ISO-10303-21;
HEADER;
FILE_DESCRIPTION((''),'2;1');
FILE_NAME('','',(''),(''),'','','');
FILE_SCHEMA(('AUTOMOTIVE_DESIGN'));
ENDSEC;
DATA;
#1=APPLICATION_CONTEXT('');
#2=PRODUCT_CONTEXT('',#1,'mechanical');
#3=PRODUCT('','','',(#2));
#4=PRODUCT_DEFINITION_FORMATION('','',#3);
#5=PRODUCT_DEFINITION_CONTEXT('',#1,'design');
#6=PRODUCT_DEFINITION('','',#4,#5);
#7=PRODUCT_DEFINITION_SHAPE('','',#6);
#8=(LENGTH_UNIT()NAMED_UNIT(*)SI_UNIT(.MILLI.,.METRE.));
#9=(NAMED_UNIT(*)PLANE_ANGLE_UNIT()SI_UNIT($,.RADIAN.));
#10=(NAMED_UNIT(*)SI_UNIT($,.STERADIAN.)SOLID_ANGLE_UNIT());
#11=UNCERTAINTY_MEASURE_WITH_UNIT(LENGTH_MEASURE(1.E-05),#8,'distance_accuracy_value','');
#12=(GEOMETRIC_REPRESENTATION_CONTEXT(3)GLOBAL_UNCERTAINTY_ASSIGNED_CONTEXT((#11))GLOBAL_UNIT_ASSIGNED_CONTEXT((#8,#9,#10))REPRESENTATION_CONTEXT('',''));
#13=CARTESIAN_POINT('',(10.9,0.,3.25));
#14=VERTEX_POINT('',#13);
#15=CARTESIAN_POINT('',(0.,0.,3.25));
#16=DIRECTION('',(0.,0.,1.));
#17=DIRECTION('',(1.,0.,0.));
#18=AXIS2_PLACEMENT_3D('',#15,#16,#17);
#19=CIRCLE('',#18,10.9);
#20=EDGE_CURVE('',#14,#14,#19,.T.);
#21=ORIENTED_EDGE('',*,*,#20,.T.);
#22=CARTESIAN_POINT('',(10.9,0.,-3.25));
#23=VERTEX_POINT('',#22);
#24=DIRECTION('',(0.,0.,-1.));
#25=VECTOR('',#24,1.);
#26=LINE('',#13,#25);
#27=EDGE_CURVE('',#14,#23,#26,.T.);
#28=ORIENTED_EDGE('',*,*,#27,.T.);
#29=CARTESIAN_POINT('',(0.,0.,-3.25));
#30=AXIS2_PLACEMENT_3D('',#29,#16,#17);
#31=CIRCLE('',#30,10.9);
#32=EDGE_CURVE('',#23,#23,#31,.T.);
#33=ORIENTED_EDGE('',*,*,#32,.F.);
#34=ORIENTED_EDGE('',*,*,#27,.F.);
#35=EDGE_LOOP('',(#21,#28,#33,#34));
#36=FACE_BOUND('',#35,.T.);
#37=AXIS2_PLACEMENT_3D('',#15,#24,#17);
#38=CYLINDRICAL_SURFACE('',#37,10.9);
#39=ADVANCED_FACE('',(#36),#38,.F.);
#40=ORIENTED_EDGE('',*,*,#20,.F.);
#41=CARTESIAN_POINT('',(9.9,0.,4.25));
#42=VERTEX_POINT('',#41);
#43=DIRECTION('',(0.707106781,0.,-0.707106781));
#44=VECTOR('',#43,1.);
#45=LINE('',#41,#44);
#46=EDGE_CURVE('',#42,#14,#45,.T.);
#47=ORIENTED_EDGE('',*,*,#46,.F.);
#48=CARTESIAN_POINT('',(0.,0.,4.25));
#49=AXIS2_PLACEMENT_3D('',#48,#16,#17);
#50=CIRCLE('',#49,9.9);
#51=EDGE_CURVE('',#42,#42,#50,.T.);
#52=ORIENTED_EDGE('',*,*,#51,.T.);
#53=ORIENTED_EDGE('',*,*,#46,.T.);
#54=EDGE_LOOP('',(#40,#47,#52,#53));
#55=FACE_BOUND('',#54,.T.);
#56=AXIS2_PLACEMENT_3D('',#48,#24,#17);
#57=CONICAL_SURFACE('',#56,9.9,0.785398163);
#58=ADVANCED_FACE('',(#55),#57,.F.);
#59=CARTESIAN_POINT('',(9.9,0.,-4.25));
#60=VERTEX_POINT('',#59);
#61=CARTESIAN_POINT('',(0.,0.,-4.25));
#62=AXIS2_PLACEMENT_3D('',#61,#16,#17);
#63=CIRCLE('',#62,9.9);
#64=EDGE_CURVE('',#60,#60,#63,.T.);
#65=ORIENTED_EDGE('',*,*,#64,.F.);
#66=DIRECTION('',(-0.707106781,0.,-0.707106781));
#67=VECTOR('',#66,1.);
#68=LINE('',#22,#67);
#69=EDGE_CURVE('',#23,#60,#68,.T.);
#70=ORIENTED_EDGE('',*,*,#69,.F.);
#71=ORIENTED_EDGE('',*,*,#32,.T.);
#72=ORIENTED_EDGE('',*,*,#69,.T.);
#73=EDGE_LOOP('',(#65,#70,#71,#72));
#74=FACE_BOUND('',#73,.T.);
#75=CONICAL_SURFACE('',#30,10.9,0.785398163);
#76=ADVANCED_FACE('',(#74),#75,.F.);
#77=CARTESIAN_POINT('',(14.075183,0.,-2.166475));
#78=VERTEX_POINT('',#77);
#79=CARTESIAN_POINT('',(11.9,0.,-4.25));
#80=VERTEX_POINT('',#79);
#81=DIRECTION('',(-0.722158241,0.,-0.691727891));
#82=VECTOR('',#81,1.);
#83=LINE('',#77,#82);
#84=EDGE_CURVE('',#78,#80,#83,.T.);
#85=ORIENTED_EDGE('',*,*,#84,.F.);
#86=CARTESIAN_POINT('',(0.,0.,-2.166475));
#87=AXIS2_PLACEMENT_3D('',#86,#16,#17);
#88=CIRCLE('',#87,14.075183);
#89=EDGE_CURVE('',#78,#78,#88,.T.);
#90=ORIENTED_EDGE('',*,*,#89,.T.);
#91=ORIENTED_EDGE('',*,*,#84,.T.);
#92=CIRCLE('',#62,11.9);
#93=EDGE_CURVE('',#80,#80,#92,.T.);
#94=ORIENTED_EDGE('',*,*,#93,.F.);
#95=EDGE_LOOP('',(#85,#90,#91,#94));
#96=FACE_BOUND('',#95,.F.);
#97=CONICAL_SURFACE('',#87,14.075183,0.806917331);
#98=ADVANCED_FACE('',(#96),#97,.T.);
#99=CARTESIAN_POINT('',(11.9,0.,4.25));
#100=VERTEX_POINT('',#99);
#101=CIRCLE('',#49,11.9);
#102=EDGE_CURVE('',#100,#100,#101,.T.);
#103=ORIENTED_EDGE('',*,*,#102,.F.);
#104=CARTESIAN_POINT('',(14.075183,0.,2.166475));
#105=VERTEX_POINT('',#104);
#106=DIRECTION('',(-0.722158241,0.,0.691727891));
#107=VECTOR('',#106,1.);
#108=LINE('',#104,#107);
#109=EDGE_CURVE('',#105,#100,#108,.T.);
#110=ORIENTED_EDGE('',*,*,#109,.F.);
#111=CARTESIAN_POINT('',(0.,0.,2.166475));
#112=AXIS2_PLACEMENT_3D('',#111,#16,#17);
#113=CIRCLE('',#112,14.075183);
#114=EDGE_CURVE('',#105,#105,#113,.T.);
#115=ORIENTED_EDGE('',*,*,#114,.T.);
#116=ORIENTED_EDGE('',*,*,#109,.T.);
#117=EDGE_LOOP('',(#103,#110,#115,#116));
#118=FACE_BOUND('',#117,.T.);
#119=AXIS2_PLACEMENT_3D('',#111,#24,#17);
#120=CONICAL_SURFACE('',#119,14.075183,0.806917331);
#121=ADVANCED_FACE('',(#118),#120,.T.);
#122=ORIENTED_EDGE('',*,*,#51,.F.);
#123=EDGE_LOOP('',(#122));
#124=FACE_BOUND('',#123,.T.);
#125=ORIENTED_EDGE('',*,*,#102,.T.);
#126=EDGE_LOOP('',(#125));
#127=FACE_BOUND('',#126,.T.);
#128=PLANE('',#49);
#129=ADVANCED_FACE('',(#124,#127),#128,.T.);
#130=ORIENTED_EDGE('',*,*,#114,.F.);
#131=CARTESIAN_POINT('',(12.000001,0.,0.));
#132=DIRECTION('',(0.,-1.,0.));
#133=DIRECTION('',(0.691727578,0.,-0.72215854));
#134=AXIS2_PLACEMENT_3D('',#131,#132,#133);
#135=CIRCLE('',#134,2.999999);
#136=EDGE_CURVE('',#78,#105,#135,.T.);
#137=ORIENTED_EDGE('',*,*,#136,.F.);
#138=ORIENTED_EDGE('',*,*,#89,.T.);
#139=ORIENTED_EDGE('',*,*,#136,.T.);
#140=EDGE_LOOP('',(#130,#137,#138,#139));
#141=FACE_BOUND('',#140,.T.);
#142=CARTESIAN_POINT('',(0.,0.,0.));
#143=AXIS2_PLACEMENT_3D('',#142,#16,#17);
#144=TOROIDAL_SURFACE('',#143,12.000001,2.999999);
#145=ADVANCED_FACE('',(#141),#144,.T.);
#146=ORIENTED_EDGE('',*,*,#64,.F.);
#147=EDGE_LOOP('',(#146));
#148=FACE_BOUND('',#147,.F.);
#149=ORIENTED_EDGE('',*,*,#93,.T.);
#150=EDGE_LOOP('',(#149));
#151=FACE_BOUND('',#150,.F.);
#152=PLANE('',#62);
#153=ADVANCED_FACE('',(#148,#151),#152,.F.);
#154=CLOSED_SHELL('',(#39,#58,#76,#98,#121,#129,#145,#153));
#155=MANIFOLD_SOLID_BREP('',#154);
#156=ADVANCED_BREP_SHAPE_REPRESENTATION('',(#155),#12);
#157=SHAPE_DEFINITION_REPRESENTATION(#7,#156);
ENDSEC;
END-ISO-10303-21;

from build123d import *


with BuildPart() as part:
    # Sketch → Revolution (revolve)
    with BuildSketch(Plane.XZ):
        with BuildLine():
            ThreePointArc((14.075183, -2.166475), (15, 0), (14.075183, 2.166475))
            Line((14.075183, 2.166475), (11.9, 4.25))
            Line((11.9, 4.25), (9.9, 4.25))
            Line((9.9, 4.25), (10.9, 3.25))
            Line((10.9, 0), (10.9, 3.25))
            Line((10.9, 0), (10.9, -3.25))
            Line((10.9, -3.25), (9.9, -4.25))
            Line((11.9, -4.25), (9.9, -4.25))
            Line((14.075183, -2.166475), (11.9, -4.25))
        make_face()
    revolve(axis=Axis((0, 0, 0), (0, 0, 1)))


solid = part.part
